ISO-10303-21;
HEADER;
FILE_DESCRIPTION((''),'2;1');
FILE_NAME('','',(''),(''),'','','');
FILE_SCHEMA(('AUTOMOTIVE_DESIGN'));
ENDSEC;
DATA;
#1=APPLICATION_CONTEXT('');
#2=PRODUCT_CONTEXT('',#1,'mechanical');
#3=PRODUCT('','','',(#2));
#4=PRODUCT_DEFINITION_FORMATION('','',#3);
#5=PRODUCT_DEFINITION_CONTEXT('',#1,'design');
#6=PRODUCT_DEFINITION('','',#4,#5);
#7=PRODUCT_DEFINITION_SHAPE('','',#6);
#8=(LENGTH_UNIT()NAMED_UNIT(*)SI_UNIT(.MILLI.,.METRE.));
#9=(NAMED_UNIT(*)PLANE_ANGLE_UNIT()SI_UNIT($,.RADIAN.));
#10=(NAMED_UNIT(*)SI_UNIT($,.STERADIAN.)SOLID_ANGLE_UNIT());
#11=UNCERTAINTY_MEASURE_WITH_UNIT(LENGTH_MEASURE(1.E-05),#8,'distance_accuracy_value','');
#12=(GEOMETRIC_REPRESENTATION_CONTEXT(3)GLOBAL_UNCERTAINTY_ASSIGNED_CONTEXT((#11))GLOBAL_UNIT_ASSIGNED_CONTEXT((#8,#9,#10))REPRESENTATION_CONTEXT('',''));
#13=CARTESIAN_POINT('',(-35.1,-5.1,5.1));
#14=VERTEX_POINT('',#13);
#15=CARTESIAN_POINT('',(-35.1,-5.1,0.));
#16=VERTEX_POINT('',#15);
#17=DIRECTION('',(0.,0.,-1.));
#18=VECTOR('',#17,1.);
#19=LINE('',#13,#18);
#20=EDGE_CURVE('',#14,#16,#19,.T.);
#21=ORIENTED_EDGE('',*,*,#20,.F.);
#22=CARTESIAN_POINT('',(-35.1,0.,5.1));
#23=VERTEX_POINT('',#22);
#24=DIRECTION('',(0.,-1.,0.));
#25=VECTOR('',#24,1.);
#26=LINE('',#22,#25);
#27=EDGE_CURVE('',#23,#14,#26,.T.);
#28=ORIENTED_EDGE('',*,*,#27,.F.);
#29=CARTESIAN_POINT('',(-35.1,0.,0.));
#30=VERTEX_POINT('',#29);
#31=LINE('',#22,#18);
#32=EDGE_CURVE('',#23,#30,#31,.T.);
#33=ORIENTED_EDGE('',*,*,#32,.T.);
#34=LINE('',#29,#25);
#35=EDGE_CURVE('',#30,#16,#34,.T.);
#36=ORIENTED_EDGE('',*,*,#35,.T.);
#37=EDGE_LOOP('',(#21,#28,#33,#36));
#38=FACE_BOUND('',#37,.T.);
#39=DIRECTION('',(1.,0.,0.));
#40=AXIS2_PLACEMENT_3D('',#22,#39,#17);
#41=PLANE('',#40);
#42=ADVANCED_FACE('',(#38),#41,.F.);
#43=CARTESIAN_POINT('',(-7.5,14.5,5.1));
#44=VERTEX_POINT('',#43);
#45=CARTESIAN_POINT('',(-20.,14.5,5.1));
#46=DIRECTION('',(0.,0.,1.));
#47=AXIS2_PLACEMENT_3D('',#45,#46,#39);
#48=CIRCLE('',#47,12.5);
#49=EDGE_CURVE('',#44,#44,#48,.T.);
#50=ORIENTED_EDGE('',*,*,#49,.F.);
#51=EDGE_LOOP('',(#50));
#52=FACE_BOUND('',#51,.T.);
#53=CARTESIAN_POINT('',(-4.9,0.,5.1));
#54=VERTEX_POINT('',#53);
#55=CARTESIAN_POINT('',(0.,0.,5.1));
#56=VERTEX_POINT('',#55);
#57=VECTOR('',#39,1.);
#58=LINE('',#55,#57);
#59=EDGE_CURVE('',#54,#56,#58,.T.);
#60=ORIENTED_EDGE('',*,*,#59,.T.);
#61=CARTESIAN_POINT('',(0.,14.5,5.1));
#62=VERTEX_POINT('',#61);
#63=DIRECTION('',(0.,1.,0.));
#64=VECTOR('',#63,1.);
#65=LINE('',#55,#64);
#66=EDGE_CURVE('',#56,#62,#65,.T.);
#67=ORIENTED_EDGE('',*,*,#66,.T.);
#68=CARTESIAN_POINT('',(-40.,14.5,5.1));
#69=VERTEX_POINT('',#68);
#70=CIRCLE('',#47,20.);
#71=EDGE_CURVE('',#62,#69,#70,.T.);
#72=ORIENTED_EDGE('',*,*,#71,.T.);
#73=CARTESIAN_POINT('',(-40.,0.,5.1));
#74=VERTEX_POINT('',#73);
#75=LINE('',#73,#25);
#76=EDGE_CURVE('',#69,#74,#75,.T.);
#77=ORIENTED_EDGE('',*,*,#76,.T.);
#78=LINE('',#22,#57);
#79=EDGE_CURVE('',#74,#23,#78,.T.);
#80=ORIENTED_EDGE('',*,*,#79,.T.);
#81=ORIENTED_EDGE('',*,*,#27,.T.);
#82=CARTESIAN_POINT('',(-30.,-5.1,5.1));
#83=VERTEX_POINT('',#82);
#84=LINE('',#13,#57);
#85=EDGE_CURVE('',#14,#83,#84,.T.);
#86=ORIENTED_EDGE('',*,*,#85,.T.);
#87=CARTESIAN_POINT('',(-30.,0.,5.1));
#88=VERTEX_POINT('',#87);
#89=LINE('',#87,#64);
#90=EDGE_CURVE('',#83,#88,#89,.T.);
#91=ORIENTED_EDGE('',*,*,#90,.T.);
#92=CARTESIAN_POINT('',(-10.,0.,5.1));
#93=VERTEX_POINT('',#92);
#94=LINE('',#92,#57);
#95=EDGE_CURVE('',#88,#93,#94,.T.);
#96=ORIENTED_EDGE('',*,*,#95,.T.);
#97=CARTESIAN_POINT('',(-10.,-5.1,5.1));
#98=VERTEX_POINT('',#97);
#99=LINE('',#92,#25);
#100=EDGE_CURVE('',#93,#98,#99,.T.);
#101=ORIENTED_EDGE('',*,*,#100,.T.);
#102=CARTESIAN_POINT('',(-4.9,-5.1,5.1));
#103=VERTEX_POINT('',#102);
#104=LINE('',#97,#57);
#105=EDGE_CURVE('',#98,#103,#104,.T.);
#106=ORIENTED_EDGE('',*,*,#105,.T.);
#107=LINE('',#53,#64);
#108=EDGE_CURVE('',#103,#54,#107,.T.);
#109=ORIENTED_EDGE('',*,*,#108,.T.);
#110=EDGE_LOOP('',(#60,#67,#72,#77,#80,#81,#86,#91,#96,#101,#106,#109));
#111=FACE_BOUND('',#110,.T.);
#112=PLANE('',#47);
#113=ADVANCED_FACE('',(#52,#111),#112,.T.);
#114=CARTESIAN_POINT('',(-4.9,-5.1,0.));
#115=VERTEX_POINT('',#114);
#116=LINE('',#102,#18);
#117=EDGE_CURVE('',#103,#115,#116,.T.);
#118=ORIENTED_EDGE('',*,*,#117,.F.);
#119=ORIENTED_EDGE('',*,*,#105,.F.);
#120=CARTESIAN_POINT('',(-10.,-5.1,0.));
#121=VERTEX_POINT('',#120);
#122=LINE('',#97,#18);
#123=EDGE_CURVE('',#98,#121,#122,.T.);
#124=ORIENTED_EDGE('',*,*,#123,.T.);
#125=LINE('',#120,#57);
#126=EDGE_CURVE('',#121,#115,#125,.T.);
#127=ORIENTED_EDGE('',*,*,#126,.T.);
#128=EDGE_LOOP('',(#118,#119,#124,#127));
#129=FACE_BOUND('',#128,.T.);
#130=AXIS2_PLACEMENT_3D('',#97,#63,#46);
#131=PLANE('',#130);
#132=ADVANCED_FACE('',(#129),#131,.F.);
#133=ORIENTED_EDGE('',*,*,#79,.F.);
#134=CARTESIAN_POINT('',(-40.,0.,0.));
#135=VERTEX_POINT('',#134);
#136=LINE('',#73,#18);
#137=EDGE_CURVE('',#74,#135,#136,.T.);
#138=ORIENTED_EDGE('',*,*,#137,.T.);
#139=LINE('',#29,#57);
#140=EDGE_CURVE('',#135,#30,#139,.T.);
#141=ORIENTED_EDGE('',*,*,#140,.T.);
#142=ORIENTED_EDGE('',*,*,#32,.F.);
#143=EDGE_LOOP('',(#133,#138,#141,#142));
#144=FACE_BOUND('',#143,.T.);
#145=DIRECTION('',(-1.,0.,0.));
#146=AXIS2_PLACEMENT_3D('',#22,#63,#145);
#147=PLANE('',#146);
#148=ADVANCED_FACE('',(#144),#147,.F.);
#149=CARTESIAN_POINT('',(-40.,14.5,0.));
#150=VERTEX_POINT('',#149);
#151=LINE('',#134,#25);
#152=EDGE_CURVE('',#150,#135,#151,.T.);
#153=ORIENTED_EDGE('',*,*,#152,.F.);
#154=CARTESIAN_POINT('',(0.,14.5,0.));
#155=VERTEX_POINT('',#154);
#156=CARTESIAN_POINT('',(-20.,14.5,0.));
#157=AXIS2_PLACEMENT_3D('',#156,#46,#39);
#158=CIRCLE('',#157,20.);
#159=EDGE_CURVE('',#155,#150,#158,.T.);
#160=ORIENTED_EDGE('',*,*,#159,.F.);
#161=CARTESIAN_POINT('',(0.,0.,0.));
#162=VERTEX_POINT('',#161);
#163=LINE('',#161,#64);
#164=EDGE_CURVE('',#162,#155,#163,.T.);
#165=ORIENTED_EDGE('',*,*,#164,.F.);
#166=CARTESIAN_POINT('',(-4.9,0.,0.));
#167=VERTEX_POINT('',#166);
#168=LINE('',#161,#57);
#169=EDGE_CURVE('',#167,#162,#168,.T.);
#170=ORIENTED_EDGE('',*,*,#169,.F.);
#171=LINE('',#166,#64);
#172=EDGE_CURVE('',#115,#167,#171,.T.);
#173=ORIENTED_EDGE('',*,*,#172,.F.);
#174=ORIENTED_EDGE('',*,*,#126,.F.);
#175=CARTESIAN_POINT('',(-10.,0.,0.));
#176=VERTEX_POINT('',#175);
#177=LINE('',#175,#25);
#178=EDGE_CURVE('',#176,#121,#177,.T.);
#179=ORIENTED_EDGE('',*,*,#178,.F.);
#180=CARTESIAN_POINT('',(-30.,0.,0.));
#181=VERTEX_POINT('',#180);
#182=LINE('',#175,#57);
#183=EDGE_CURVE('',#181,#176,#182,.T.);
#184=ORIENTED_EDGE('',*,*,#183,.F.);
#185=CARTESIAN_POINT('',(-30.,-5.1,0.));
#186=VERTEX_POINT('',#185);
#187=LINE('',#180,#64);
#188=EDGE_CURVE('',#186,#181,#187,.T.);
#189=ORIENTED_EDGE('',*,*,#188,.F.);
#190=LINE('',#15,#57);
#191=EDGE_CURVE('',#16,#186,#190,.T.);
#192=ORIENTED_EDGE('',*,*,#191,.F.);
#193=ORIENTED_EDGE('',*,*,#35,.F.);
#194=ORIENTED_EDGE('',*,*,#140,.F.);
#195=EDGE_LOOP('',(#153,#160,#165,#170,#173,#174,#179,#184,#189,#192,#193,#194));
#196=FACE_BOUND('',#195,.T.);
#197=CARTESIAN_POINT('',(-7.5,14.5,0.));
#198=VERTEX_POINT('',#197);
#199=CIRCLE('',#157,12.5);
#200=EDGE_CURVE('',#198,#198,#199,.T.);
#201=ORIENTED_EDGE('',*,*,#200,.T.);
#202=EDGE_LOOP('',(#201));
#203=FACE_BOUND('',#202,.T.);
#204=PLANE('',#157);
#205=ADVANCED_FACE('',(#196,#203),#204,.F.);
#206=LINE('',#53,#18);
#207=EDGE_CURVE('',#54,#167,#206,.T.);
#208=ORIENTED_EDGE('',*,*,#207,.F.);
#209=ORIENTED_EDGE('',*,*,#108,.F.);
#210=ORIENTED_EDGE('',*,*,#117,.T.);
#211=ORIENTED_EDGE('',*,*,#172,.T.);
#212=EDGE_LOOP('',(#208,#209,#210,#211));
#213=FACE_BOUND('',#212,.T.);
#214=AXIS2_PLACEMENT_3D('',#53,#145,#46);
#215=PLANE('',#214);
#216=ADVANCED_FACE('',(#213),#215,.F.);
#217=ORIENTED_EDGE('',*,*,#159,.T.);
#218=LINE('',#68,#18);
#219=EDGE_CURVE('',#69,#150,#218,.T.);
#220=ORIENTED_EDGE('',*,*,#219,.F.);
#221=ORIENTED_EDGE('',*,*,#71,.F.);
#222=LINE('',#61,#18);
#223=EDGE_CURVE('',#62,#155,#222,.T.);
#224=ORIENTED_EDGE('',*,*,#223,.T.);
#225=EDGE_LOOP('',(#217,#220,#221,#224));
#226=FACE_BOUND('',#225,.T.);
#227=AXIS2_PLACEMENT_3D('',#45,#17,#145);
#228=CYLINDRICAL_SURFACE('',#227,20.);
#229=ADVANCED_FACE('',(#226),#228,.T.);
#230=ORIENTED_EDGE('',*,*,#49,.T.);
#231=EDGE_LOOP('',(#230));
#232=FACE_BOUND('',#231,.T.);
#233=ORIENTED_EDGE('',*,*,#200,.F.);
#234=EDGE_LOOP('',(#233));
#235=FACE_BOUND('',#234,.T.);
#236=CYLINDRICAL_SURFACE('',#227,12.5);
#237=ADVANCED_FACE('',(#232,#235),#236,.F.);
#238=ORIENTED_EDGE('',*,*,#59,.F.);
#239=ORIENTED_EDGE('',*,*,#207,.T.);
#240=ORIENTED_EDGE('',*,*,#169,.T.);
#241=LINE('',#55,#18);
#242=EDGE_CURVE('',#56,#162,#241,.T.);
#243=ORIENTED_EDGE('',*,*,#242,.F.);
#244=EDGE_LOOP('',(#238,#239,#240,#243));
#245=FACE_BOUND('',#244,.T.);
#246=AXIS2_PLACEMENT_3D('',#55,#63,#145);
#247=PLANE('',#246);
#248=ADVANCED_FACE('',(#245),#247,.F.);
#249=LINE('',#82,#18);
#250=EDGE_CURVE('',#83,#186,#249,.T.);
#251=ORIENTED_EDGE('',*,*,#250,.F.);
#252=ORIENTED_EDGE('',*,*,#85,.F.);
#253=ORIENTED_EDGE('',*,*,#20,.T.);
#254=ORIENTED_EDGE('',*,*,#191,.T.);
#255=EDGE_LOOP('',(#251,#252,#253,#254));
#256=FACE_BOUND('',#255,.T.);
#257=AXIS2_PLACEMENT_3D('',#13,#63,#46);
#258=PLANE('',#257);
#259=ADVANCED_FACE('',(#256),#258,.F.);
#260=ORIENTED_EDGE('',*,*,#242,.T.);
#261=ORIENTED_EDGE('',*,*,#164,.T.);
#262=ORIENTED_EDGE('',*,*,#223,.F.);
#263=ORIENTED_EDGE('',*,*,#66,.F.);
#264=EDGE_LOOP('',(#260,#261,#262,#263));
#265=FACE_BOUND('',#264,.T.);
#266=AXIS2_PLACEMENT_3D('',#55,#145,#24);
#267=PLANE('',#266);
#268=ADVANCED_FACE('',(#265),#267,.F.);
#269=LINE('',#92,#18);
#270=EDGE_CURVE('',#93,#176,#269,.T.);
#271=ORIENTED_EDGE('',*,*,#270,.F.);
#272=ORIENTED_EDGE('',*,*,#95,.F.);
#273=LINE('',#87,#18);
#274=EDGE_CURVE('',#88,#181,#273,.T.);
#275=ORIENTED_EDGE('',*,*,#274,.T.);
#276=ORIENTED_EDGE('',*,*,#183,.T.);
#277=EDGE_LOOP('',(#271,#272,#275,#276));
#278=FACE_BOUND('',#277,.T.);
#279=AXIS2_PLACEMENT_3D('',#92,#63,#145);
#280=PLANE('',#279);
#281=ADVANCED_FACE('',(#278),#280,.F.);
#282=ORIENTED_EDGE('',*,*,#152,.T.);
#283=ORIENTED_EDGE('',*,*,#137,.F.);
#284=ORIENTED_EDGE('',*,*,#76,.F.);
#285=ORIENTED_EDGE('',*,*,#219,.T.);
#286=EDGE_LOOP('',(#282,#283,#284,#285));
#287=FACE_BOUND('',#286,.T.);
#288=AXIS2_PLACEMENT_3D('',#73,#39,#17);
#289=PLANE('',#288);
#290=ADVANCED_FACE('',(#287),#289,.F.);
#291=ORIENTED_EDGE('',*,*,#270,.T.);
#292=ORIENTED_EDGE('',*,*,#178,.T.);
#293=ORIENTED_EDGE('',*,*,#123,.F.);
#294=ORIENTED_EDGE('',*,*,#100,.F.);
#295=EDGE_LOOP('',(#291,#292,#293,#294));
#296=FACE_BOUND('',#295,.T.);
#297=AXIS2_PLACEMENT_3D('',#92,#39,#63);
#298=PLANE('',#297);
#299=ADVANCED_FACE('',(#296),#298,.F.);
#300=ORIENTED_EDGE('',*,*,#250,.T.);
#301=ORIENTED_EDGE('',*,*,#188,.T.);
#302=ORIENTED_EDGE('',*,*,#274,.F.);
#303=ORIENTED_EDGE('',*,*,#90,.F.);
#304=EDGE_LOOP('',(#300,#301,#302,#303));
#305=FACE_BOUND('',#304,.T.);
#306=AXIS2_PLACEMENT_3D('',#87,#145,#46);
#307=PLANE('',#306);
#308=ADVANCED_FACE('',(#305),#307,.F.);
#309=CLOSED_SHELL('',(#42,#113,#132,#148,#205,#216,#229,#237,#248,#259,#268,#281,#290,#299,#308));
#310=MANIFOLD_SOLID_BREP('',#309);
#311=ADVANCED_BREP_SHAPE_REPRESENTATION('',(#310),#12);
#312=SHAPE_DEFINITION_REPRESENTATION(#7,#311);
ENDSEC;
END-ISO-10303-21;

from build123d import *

# Parameters (mm, degrees)
SKETCH1_R           = 12.5
BOSS_EXTRUDE1_DEPTH = 5.1


with BuildPart() as part:
    # Sketch1 → Boss-Extrude1 (new body)
    with BuildSketch(Plane.XY):
        with BuildLine():
            Line((0, 0), (-4.9, 0))
            Line((-4.9, 0), (-4.9, -5.1))
            Line((-4.9, -5.1), (-10, -5.1))
            Line((-10, -5.1), (-10, 0))
            Line((-10, 0), (-30, 0))
            Line((-30, 0), (-30, -5.1))
            Line((-30, -5.1), (-35.1, -5.1))
            Line((-35.1, -5.1), (-35.1, 0))
            Line((-35.1, 0), (-40, 0))
            Line((-40, 0), (-40, 14.5))
            ThreePointArc((-40, 14.5), (-20, 34.5), (0, 14.5))
            Line((0, 14.5), (0, 0))
        make_face()
        with Locations((-20, 14.5)):
            Circle(SKETCH1_R, mode=Mode.SUBTRACT)
    extrude(amount=BOSS_EXTRUDE1_DEPTH)


solid = part.part
